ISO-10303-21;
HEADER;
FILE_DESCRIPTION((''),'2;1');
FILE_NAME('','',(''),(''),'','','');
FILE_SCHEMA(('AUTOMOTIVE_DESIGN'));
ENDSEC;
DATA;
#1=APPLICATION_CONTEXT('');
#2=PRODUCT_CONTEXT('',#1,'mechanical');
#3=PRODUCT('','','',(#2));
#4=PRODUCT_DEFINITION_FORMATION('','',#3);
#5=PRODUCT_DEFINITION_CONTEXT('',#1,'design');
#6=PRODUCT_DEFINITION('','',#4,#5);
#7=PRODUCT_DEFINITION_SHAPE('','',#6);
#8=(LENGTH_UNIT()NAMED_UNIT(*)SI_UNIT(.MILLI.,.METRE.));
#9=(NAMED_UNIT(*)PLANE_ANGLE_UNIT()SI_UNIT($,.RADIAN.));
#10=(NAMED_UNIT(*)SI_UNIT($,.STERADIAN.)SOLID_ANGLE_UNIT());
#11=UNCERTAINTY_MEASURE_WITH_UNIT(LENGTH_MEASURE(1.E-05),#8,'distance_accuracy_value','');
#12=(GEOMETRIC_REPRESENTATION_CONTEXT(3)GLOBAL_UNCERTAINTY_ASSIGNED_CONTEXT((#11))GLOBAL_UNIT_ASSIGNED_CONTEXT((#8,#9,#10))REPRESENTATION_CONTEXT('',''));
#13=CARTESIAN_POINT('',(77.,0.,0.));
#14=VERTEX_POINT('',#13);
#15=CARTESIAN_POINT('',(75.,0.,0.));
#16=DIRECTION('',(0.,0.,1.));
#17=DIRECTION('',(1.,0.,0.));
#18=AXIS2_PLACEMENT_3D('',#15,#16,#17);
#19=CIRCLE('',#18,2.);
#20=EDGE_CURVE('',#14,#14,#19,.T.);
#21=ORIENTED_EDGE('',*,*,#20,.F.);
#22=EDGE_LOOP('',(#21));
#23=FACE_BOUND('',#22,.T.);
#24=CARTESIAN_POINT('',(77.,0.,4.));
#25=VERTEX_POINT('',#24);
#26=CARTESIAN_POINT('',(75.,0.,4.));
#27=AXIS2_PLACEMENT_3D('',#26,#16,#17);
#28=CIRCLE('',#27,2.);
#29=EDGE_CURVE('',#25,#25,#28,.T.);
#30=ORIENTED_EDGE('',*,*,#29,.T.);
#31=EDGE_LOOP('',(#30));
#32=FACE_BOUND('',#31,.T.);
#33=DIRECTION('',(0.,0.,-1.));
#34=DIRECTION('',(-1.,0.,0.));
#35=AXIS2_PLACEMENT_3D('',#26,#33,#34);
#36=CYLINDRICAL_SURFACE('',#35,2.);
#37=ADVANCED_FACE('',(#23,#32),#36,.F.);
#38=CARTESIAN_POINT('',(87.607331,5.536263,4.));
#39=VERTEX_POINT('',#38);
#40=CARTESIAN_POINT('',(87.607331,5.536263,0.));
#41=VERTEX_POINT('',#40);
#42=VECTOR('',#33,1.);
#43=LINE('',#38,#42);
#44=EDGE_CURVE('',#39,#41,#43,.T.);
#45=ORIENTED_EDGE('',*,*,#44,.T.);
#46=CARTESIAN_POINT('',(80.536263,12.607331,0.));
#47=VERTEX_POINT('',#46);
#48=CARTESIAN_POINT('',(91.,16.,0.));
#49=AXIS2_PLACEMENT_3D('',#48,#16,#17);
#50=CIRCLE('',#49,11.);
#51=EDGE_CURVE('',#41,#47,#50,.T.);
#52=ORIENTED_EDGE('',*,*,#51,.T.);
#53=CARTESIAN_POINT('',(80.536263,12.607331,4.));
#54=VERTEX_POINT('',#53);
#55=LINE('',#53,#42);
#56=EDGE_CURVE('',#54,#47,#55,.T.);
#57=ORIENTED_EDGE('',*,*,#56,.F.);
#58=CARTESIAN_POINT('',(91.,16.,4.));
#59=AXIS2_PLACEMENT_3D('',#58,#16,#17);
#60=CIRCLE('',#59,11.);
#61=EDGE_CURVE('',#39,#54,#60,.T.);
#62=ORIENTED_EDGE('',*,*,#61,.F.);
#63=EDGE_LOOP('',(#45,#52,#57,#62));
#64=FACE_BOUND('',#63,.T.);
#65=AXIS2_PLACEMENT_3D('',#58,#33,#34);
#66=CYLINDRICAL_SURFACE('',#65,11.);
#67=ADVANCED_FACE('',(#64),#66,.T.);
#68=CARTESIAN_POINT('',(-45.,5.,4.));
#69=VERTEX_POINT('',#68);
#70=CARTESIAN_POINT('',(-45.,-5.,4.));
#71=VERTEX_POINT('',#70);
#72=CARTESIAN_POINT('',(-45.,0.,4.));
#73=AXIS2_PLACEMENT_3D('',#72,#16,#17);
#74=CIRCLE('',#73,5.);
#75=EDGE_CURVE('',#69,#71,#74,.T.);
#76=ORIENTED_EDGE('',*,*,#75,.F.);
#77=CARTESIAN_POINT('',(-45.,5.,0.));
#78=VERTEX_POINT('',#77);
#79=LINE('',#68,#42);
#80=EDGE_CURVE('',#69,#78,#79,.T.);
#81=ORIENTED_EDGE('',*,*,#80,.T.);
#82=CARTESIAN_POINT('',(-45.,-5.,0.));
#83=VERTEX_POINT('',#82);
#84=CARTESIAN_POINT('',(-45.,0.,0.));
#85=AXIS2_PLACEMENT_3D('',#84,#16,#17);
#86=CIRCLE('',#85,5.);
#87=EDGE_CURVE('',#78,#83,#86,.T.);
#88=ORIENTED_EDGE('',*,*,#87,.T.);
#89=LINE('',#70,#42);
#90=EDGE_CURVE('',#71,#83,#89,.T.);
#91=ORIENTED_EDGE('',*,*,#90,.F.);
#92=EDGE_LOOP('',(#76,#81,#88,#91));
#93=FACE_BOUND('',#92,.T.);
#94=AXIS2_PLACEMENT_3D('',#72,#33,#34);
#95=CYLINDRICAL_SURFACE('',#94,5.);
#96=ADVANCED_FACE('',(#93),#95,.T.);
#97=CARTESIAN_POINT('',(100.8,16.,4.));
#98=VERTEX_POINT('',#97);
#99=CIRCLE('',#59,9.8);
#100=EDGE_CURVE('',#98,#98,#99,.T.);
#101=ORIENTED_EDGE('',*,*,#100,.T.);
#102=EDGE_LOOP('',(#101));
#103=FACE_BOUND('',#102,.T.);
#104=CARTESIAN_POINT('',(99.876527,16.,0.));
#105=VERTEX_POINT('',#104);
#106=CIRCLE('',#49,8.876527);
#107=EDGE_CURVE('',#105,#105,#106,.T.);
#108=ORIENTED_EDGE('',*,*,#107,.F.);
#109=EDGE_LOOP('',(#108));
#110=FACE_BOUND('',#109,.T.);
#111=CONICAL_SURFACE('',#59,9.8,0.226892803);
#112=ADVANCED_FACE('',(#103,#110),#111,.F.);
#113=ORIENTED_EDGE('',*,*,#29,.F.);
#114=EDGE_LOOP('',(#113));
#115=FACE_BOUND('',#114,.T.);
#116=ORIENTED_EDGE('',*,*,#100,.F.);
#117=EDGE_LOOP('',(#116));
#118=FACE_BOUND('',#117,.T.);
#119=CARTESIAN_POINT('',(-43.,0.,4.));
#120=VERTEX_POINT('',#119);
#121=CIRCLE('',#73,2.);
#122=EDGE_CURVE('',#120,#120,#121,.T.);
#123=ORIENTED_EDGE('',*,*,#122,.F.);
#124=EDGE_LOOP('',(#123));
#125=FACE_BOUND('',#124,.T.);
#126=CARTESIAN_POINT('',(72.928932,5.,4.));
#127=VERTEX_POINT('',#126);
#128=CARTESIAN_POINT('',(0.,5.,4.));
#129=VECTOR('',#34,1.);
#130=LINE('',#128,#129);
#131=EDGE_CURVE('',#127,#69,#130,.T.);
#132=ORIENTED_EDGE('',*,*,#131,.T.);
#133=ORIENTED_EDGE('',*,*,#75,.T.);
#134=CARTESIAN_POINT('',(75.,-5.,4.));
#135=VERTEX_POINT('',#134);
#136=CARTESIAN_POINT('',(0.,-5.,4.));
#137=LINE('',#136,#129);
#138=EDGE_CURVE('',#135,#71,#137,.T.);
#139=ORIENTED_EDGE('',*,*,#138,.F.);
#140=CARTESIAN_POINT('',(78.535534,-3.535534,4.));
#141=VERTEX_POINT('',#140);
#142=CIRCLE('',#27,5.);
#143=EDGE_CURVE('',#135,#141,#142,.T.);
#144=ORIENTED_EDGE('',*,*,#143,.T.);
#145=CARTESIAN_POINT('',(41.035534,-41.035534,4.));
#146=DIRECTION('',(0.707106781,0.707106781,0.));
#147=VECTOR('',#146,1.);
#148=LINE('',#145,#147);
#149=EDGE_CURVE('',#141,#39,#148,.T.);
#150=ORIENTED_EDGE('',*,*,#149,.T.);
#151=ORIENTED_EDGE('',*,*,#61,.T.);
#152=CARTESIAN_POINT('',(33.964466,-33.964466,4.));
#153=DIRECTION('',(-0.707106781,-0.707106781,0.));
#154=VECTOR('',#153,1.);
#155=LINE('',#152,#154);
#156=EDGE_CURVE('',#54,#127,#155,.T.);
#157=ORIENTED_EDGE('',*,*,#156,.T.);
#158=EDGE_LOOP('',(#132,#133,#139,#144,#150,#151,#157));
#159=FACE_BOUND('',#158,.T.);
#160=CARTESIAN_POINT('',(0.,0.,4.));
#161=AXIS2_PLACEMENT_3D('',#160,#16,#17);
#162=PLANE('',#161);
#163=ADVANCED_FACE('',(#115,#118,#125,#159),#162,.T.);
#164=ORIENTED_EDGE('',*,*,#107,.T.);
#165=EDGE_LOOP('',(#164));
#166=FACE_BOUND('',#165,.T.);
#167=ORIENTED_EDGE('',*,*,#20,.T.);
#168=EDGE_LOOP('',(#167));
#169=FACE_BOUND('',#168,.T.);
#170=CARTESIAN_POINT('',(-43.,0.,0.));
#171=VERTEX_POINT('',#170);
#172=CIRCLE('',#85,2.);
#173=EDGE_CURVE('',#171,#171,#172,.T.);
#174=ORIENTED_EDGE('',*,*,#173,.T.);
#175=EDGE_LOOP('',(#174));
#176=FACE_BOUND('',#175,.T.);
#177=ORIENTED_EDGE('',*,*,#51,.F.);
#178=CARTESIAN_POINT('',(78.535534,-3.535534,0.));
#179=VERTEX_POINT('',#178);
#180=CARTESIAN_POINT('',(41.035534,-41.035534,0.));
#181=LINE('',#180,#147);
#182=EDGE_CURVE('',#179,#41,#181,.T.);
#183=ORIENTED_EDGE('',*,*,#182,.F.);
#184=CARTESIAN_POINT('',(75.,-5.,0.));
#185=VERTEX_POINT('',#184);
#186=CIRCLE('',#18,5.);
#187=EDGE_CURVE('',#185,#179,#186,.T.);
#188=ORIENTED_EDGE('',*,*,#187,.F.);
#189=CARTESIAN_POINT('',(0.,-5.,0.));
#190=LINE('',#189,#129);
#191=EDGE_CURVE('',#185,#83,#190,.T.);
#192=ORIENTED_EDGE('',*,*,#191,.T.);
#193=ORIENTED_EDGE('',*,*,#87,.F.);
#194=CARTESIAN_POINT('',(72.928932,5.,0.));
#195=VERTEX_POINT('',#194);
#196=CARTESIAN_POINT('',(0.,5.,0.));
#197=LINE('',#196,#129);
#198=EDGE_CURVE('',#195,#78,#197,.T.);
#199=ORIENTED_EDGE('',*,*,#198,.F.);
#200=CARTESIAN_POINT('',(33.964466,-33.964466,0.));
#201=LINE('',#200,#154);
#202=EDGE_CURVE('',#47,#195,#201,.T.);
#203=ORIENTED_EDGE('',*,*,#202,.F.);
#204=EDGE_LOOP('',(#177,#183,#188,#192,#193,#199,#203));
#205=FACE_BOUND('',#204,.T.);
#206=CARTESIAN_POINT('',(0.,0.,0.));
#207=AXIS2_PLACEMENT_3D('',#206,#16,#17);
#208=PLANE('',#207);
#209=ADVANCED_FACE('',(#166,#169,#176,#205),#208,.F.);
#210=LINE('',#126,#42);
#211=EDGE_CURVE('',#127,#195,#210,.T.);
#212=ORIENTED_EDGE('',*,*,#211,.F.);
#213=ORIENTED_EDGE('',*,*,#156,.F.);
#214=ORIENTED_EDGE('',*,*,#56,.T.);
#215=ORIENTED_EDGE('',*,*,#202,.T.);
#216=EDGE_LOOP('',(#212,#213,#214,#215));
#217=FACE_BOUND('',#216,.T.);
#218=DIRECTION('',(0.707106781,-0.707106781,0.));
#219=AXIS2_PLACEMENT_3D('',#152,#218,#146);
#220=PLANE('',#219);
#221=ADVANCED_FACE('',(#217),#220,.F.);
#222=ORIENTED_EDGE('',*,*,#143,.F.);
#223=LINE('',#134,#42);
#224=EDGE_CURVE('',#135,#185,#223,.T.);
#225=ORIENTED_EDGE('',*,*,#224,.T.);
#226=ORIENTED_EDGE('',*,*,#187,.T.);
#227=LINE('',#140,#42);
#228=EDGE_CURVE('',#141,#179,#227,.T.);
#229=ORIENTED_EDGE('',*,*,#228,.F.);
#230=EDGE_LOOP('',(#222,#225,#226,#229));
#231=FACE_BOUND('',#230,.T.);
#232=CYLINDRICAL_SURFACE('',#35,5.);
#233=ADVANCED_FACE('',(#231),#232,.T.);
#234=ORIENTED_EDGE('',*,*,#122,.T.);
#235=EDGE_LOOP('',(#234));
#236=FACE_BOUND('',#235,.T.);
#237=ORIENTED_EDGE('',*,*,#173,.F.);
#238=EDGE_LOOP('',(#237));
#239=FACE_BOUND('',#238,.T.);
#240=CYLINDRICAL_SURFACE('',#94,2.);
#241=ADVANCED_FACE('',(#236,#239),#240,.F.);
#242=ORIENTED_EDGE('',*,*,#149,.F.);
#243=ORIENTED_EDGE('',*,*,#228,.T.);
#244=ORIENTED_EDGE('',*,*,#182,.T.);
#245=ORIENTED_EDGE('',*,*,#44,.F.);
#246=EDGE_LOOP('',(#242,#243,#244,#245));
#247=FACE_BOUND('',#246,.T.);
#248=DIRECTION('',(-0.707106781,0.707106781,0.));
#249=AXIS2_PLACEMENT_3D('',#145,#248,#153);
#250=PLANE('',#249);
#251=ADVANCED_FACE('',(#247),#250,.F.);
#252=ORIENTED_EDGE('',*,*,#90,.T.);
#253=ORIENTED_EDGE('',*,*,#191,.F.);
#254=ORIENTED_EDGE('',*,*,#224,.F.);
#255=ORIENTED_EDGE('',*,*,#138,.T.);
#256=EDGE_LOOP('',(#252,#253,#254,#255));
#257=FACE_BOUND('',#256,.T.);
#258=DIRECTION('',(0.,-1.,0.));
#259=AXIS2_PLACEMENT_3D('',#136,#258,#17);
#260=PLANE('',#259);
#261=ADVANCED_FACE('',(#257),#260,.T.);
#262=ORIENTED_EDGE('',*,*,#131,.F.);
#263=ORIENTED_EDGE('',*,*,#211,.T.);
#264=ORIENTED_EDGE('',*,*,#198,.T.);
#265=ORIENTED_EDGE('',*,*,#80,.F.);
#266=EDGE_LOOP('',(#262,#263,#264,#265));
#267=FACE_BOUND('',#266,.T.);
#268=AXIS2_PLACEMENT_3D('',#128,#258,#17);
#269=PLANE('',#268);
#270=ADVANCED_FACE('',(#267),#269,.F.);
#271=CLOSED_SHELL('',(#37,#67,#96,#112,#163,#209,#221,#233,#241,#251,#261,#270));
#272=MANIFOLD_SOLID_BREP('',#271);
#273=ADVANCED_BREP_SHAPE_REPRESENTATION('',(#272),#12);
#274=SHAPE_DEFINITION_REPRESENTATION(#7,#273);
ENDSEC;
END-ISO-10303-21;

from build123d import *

# Parameters (mm, degrees)
SKETCH1_R           = 2
SKETCH1_R_2         = 8.8
BOSS_EXTRUDE1_DEPTH = 4
SKETCH2_R           = 9.8
CUT_EXTRUDE2_DEPTH  = 4
CUT_EXTRUDE2_DRAFT  = -13


with BuildPart() as part:
    # Sketch1 → Boss-Extrude1 (new body)
    with BuildSketch(Plane.XY):
        with BuildLine():
            ThreePointArc((75, -5), (76.913417162, -4.619397663), (78.535533906, -3.535533906))
            Line((78.535533906, -3.535533906), (87.607330676, 5.536262864))
            ThreePointArc((87.607330676, 5.536262864), (98.778174593, 23.778174593), (80.536262864, 12.607330676))
            Line((80.536262864, 12.607330676), (72.928932188, 5))
            Line((72.928932188, 5), (-45, 5))
            ThreePointArc((-45, 5), (-50, 0), (-45, -5))
            Line((-45, -5), (75, -5))
        make_face()
        with Locations((-45, 0)):
            Circle(SKETCH1_R, mode=Mode.SUBTRACT)
        with Locations((75, 0)):
            Circle(SKETCH1_R, mode=Mode.SUBTRACT)
        with Locations((91, 16)):
            Circle(SKETCH1_R_2, mode=Mode.SUBTRACT)
    extrude(amount=BOSS_EXTRUDE1_DEPTH)


with BuildPart() as cut_extrude2_tool:
    # Sketch2 → Cut-Extrude2 (with draft: the straight prism first)
    with BuildSketch(Plane.XY.offset(4)):
        with Locations((91, 16)):
            Circle(SKETCH2_R)
    extrude(amount=-CUT_EXTRUDE2_DEPTH)
    # Cut-Extrude2: the draft: its side faces are tilted about the plane it starts from
    cut_extrude2_sides = [cut_extrude2_tool.faces().sort_by_distance(p)[0] for p in [
        (81.2, 16, 2),
    ]]
    draft(cut_extrude2_sides, Plane.XY.offset(4), CUT_EXTRUDE2_DRAFT)


with BuildPart() as part_1:
    add(part.part)

    # Cut-Extrude2: cut by cut_extrude2_tool
    add(cut_extrude2_tool.part, mode=Mode.SUBTRACT)


solid = part_1.part
